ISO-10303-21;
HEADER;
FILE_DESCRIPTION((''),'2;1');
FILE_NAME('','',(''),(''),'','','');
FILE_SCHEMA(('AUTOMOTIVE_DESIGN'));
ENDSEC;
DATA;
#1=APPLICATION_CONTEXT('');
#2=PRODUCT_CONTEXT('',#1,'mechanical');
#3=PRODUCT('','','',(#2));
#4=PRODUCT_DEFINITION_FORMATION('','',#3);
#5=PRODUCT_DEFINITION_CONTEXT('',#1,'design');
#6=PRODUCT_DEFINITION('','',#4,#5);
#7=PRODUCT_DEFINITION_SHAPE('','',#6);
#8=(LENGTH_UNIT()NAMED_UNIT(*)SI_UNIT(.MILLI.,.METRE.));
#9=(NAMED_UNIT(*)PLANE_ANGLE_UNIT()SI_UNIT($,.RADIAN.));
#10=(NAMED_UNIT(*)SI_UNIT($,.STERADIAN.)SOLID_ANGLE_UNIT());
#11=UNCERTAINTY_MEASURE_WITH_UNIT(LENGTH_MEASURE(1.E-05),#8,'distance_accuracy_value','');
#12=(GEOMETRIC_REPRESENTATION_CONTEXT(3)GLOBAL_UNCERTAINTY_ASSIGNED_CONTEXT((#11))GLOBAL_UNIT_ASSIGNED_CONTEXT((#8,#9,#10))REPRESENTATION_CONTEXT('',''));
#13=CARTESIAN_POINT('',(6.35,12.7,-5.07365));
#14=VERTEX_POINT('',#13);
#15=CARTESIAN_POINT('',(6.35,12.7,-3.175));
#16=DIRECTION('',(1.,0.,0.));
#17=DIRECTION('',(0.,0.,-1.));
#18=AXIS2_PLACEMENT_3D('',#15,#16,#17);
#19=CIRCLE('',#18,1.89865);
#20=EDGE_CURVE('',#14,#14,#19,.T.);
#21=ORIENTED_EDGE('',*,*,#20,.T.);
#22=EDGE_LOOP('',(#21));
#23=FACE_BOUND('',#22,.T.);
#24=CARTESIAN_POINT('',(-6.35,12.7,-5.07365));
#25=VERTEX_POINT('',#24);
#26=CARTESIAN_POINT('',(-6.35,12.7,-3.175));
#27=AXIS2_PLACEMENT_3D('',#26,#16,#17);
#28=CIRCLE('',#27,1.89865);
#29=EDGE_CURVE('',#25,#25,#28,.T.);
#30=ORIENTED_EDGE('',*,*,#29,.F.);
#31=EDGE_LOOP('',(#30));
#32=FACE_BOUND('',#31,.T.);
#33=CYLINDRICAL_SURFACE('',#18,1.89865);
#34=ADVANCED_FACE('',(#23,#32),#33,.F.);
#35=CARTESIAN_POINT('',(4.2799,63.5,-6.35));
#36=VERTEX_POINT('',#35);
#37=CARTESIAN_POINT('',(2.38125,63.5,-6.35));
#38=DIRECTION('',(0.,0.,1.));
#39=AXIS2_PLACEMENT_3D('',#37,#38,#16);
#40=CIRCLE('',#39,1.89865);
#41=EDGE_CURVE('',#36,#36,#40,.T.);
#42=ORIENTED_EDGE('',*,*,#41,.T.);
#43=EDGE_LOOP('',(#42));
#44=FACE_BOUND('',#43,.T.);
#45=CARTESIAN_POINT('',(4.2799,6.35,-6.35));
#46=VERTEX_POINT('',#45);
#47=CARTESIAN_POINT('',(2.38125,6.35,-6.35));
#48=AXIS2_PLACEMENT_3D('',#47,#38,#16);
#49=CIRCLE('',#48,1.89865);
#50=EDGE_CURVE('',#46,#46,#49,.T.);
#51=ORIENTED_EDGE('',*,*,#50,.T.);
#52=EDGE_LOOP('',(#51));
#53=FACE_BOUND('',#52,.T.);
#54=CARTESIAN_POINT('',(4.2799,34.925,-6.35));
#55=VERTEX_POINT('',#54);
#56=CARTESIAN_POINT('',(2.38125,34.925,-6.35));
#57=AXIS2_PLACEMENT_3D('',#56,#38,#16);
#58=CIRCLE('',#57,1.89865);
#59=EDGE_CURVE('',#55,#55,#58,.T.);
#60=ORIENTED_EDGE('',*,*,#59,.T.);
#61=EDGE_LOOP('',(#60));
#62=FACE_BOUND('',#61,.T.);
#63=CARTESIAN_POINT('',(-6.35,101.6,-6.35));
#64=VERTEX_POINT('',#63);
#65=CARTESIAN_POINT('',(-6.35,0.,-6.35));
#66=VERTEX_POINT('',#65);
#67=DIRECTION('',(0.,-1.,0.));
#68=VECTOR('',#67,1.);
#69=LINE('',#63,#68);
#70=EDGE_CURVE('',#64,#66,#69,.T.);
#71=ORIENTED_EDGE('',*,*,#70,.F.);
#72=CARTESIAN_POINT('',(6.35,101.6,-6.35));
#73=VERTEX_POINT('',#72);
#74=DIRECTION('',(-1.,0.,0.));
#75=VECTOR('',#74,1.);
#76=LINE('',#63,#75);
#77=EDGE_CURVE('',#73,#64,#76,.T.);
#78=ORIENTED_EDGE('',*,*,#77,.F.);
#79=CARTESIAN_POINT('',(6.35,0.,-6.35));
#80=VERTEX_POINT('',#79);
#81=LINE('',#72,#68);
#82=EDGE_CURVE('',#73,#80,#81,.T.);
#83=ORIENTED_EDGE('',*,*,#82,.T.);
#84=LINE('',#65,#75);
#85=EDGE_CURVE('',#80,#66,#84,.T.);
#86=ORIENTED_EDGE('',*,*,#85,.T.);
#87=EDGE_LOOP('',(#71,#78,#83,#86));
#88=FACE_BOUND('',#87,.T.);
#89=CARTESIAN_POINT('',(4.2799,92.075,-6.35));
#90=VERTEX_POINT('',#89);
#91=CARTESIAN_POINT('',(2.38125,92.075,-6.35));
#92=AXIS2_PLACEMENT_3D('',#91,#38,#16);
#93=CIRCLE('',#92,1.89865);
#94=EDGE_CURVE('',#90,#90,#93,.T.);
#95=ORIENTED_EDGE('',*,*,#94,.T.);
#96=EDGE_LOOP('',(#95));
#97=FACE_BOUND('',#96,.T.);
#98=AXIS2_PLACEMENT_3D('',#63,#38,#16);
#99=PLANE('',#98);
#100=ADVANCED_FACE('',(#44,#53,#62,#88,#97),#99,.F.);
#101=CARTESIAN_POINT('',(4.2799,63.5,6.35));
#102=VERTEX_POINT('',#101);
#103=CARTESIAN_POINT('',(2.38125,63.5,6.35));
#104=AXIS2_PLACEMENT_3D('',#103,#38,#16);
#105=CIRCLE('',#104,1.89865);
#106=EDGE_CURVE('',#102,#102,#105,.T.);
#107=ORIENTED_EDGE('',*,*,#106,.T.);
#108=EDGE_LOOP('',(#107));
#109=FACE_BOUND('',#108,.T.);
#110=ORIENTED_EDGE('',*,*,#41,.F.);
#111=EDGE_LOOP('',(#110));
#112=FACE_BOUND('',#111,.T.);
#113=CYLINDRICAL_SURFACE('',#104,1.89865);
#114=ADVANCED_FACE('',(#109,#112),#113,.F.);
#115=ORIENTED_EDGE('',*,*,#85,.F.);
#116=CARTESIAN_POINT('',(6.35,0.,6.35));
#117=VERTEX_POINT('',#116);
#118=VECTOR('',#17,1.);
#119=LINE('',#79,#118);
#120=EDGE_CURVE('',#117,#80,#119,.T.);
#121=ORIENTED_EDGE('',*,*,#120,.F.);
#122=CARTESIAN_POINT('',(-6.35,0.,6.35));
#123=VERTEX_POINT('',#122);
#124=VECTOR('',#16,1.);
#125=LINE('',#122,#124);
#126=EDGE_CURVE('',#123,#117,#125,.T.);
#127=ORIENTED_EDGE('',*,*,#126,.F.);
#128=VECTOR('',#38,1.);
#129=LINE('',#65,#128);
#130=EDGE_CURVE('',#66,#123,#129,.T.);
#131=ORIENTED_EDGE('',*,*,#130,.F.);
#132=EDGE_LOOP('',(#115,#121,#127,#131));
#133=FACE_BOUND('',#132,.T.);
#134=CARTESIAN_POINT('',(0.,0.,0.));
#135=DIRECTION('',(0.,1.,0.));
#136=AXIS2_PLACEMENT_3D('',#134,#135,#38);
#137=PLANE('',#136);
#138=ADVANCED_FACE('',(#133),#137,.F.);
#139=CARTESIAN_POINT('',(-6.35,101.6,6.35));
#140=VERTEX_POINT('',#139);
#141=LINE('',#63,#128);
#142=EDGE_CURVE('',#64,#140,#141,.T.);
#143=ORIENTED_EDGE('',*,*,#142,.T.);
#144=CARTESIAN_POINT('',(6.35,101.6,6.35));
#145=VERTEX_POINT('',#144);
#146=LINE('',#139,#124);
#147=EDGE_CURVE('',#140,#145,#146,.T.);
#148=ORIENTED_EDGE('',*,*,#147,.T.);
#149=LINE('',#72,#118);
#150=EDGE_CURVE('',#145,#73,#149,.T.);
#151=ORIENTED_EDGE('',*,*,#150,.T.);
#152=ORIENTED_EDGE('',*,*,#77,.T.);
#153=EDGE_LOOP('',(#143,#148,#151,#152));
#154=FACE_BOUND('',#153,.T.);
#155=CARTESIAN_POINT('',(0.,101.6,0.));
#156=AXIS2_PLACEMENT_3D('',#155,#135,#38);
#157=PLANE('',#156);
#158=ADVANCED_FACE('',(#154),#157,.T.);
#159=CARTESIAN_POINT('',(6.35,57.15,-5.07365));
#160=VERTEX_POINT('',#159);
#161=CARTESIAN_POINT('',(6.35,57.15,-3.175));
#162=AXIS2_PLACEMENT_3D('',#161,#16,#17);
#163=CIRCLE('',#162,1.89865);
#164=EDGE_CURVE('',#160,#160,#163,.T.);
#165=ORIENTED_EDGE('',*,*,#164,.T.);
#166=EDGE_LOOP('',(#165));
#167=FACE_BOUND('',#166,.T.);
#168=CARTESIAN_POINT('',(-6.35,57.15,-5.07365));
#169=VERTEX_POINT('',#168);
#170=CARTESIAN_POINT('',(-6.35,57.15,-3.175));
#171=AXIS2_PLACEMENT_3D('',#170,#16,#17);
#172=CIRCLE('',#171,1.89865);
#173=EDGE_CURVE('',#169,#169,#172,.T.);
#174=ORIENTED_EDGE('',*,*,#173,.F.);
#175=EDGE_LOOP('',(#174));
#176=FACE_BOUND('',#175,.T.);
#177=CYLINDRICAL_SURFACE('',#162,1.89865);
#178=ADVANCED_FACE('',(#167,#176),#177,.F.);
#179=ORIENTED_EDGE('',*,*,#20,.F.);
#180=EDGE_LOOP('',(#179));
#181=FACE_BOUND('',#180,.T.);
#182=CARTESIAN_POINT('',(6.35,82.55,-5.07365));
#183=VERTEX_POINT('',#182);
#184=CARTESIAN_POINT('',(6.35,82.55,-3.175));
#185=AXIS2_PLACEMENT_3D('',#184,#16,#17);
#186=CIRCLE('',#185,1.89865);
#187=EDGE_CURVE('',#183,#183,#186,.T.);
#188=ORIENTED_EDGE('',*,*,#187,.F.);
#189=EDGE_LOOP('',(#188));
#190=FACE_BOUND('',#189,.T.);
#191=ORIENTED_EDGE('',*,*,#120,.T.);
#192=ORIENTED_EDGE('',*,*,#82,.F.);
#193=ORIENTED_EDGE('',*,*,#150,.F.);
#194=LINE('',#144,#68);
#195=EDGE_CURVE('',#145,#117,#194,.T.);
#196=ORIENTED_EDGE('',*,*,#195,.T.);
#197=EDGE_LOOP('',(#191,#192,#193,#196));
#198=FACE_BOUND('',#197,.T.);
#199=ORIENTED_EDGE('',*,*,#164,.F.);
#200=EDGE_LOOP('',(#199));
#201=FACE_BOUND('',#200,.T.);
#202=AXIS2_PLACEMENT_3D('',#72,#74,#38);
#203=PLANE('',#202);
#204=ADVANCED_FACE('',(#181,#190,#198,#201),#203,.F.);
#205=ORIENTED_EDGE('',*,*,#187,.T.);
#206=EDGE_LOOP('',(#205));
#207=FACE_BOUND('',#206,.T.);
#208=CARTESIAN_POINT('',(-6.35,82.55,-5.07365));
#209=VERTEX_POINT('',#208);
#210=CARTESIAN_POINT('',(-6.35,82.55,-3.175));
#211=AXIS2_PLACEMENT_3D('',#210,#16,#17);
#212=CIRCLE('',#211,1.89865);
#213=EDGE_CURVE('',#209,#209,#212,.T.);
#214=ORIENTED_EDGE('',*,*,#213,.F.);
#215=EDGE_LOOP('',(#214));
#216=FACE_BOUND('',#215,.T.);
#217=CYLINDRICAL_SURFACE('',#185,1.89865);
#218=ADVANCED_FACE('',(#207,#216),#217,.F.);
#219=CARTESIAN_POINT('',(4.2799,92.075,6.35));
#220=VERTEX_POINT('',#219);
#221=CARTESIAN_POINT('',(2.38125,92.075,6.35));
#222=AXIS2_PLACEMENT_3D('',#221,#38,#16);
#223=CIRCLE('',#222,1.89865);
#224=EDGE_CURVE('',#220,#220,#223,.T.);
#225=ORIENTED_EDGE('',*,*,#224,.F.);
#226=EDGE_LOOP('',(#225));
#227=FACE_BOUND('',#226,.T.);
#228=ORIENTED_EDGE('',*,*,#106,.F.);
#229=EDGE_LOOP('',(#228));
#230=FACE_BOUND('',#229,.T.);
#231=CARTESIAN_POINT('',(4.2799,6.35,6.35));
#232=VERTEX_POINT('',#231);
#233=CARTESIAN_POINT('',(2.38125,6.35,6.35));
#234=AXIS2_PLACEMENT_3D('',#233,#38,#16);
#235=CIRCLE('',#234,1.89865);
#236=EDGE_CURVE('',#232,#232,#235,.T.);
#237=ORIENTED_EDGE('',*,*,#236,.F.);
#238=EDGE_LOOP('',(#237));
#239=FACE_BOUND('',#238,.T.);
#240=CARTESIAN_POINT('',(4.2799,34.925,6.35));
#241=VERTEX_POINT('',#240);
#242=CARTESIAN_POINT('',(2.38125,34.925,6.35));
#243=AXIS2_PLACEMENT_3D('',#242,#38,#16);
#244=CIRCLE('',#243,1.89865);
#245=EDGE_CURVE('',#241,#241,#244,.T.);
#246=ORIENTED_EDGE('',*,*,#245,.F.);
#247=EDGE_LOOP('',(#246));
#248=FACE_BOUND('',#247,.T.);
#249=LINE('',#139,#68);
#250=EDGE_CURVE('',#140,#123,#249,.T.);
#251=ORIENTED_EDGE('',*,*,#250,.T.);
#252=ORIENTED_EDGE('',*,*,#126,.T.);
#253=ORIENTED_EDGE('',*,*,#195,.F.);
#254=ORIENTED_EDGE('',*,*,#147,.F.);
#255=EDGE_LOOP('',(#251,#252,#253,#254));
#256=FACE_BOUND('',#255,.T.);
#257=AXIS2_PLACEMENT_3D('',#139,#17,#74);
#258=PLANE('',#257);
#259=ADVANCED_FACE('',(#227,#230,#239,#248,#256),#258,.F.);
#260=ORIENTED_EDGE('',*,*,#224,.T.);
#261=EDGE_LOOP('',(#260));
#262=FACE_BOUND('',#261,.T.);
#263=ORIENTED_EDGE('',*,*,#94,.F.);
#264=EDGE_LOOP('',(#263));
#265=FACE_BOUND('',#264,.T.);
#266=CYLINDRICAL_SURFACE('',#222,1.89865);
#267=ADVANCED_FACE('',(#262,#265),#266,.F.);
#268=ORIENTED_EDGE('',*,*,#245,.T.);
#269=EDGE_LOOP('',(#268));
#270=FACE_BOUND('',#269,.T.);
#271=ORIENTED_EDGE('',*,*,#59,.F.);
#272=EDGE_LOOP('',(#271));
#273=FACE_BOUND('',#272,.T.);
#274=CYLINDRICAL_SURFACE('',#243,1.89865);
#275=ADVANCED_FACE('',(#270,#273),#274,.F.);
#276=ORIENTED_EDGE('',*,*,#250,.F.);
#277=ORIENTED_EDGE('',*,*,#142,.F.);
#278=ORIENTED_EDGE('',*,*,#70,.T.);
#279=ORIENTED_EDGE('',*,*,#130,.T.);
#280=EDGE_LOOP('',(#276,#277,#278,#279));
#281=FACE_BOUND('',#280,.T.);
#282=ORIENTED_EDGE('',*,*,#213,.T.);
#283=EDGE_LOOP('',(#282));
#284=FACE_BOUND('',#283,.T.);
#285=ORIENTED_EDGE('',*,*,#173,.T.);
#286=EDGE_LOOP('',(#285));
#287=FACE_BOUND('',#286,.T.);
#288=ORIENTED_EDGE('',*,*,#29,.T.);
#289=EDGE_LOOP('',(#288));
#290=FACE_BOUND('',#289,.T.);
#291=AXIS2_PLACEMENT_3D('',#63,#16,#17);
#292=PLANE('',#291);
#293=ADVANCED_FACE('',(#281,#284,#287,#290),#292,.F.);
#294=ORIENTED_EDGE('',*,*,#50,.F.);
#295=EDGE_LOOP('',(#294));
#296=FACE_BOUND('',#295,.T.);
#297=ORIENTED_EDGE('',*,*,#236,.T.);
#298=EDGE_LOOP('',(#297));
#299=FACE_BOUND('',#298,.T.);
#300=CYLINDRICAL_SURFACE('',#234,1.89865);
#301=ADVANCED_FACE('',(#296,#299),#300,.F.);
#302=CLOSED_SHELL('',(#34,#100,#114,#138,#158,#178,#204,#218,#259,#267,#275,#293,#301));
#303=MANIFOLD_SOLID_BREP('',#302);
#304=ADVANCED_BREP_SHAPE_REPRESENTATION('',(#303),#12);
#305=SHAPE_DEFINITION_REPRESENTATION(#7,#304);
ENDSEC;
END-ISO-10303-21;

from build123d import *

# Parameters (mm, degrees)
SKETCH1_W                  = 12.7
SKETCH1_H                  = 12.7
BOSS_EXTRUDE1_DEPTH        = 101.6
TAP_DRILL_FOR_10_24_TAP1_D = 3.7973
TAP_DRILL_FOR_10_24_TAP2_D = 3.7973


with BuildPart() as part:
    # Sketch1 → Boss-Extrude1 (new body)
    with BuildSketch(Plane(origin=(0, 0, 0), x_dir=(1, 0, 0), z_dir=(0, 1, 0))):
        Rectangle(SKETCH1_W, SKETCH1_H)
    extrude(amount=BOSS_EXTRUDE1_DEPTH)

    # Tap Drill for #10-24 Tap1 (through all)
    with Locations(Plane(origin=(6.35, 0, 0), x_dir=(0, 0, -1), z_dir=(1, 0, 0))):
        with Locations((3.175, 82.55), (3.175, 12.7), (3.175, 57.15)):
            Hole(TAP_DRILL_FOR_10_24_TAP1_D / 2)

    # Tap Drill for #10-24 Tap2 (through all)
    with Locations(Plane.XY.offset(6.35)):
        with Locations((2.38125, 92.075), (2.38125, 6.35), (2.38125, 34.925), (2.38125, 63.5)):
            Hole(TAP_DRILL_FOR_10_24_TAP2_D / 2)


solid = part.part
